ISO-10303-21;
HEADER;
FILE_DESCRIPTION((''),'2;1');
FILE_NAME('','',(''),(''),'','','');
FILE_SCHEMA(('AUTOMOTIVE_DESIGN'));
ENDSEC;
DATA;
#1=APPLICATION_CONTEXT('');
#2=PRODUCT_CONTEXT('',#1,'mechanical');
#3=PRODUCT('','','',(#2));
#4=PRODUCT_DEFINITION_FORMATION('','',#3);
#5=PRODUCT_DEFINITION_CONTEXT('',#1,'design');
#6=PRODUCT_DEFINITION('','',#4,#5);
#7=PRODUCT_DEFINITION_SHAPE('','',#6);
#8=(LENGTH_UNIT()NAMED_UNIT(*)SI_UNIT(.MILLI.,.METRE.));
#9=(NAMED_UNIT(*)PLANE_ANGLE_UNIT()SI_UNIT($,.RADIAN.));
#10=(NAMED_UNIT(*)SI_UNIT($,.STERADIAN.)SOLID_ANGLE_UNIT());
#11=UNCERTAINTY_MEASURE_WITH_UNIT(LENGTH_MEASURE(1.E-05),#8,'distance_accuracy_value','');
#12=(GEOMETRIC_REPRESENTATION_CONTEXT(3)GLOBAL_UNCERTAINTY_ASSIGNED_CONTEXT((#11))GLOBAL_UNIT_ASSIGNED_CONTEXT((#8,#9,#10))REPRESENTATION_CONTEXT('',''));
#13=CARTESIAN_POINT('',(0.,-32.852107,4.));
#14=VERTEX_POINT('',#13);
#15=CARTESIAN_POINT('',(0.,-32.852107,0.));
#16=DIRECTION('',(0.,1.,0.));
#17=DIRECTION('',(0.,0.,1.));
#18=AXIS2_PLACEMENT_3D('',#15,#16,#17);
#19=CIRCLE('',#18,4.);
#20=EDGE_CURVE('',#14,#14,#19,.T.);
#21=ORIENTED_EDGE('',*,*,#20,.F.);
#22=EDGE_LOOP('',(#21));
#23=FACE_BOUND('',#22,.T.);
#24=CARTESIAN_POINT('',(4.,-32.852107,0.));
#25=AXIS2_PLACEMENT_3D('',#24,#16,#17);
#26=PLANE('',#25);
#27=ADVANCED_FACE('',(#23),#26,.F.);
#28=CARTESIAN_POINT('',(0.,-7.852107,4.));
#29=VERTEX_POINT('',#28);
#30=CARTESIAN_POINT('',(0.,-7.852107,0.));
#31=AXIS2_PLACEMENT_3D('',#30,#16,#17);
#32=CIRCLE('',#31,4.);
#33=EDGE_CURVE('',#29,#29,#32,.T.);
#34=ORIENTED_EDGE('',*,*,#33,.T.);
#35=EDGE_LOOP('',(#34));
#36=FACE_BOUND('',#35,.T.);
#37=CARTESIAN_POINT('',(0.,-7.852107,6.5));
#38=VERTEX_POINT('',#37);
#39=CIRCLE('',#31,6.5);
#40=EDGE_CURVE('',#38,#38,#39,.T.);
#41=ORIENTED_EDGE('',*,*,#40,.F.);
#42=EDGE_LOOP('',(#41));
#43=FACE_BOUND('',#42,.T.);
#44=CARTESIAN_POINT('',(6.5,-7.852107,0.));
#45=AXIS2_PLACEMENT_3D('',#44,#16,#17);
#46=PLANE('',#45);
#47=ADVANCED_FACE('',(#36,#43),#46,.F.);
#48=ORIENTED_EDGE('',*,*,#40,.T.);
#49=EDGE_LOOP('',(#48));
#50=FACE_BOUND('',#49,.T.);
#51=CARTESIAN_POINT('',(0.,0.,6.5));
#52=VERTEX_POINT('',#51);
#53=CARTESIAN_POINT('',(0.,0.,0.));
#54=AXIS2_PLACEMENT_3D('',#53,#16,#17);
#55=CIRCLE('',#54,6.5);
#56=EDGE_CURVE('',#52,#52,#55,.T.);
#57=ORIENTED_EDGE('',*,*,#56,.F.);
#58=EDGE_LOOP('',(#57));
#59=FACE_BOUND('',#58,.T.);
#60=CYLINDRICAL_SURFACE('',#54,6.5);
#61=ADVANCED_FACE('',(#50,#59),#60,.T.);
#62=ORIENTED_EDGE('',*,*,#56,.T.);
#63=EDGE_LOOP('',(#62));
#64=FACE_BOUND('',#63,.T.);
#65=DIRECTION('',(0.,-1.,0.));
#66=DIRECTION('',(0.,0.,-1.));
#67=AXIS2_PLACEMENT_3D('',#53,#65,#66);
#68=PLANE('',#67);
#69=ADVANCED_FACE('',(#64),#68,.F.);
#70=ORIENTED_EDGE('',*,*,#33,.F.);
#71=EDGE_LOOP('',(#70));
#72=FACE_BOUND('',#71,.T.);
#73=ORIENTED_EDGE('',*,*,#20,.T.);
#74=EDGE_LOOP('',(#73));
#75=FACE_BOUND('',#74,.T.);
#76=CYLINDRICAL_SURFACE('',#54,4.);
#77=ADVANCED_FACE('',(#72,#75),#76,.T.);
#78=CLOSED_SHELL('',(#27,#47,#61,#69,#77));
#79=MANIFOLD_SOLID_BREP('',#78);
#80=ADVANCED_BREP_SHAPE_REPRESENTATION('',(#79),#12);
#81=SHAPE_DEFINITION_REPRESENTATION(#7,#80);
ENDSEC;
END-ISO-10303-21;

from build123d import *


with BuildPart() as part:
    # Esquisse1 → Révolution1 (revolve)
    with BuildSketch(Plane.XY):
        Polygon((0, 0), (6.5, 0), (6.5, -7.852106722), (4, -7.852106722), (4, -32.852106722), (0, -32.852106722), align=None)
    revolve(axis=Axis((0, 0, 0), (0, -1, 0)))


solid = part.part
